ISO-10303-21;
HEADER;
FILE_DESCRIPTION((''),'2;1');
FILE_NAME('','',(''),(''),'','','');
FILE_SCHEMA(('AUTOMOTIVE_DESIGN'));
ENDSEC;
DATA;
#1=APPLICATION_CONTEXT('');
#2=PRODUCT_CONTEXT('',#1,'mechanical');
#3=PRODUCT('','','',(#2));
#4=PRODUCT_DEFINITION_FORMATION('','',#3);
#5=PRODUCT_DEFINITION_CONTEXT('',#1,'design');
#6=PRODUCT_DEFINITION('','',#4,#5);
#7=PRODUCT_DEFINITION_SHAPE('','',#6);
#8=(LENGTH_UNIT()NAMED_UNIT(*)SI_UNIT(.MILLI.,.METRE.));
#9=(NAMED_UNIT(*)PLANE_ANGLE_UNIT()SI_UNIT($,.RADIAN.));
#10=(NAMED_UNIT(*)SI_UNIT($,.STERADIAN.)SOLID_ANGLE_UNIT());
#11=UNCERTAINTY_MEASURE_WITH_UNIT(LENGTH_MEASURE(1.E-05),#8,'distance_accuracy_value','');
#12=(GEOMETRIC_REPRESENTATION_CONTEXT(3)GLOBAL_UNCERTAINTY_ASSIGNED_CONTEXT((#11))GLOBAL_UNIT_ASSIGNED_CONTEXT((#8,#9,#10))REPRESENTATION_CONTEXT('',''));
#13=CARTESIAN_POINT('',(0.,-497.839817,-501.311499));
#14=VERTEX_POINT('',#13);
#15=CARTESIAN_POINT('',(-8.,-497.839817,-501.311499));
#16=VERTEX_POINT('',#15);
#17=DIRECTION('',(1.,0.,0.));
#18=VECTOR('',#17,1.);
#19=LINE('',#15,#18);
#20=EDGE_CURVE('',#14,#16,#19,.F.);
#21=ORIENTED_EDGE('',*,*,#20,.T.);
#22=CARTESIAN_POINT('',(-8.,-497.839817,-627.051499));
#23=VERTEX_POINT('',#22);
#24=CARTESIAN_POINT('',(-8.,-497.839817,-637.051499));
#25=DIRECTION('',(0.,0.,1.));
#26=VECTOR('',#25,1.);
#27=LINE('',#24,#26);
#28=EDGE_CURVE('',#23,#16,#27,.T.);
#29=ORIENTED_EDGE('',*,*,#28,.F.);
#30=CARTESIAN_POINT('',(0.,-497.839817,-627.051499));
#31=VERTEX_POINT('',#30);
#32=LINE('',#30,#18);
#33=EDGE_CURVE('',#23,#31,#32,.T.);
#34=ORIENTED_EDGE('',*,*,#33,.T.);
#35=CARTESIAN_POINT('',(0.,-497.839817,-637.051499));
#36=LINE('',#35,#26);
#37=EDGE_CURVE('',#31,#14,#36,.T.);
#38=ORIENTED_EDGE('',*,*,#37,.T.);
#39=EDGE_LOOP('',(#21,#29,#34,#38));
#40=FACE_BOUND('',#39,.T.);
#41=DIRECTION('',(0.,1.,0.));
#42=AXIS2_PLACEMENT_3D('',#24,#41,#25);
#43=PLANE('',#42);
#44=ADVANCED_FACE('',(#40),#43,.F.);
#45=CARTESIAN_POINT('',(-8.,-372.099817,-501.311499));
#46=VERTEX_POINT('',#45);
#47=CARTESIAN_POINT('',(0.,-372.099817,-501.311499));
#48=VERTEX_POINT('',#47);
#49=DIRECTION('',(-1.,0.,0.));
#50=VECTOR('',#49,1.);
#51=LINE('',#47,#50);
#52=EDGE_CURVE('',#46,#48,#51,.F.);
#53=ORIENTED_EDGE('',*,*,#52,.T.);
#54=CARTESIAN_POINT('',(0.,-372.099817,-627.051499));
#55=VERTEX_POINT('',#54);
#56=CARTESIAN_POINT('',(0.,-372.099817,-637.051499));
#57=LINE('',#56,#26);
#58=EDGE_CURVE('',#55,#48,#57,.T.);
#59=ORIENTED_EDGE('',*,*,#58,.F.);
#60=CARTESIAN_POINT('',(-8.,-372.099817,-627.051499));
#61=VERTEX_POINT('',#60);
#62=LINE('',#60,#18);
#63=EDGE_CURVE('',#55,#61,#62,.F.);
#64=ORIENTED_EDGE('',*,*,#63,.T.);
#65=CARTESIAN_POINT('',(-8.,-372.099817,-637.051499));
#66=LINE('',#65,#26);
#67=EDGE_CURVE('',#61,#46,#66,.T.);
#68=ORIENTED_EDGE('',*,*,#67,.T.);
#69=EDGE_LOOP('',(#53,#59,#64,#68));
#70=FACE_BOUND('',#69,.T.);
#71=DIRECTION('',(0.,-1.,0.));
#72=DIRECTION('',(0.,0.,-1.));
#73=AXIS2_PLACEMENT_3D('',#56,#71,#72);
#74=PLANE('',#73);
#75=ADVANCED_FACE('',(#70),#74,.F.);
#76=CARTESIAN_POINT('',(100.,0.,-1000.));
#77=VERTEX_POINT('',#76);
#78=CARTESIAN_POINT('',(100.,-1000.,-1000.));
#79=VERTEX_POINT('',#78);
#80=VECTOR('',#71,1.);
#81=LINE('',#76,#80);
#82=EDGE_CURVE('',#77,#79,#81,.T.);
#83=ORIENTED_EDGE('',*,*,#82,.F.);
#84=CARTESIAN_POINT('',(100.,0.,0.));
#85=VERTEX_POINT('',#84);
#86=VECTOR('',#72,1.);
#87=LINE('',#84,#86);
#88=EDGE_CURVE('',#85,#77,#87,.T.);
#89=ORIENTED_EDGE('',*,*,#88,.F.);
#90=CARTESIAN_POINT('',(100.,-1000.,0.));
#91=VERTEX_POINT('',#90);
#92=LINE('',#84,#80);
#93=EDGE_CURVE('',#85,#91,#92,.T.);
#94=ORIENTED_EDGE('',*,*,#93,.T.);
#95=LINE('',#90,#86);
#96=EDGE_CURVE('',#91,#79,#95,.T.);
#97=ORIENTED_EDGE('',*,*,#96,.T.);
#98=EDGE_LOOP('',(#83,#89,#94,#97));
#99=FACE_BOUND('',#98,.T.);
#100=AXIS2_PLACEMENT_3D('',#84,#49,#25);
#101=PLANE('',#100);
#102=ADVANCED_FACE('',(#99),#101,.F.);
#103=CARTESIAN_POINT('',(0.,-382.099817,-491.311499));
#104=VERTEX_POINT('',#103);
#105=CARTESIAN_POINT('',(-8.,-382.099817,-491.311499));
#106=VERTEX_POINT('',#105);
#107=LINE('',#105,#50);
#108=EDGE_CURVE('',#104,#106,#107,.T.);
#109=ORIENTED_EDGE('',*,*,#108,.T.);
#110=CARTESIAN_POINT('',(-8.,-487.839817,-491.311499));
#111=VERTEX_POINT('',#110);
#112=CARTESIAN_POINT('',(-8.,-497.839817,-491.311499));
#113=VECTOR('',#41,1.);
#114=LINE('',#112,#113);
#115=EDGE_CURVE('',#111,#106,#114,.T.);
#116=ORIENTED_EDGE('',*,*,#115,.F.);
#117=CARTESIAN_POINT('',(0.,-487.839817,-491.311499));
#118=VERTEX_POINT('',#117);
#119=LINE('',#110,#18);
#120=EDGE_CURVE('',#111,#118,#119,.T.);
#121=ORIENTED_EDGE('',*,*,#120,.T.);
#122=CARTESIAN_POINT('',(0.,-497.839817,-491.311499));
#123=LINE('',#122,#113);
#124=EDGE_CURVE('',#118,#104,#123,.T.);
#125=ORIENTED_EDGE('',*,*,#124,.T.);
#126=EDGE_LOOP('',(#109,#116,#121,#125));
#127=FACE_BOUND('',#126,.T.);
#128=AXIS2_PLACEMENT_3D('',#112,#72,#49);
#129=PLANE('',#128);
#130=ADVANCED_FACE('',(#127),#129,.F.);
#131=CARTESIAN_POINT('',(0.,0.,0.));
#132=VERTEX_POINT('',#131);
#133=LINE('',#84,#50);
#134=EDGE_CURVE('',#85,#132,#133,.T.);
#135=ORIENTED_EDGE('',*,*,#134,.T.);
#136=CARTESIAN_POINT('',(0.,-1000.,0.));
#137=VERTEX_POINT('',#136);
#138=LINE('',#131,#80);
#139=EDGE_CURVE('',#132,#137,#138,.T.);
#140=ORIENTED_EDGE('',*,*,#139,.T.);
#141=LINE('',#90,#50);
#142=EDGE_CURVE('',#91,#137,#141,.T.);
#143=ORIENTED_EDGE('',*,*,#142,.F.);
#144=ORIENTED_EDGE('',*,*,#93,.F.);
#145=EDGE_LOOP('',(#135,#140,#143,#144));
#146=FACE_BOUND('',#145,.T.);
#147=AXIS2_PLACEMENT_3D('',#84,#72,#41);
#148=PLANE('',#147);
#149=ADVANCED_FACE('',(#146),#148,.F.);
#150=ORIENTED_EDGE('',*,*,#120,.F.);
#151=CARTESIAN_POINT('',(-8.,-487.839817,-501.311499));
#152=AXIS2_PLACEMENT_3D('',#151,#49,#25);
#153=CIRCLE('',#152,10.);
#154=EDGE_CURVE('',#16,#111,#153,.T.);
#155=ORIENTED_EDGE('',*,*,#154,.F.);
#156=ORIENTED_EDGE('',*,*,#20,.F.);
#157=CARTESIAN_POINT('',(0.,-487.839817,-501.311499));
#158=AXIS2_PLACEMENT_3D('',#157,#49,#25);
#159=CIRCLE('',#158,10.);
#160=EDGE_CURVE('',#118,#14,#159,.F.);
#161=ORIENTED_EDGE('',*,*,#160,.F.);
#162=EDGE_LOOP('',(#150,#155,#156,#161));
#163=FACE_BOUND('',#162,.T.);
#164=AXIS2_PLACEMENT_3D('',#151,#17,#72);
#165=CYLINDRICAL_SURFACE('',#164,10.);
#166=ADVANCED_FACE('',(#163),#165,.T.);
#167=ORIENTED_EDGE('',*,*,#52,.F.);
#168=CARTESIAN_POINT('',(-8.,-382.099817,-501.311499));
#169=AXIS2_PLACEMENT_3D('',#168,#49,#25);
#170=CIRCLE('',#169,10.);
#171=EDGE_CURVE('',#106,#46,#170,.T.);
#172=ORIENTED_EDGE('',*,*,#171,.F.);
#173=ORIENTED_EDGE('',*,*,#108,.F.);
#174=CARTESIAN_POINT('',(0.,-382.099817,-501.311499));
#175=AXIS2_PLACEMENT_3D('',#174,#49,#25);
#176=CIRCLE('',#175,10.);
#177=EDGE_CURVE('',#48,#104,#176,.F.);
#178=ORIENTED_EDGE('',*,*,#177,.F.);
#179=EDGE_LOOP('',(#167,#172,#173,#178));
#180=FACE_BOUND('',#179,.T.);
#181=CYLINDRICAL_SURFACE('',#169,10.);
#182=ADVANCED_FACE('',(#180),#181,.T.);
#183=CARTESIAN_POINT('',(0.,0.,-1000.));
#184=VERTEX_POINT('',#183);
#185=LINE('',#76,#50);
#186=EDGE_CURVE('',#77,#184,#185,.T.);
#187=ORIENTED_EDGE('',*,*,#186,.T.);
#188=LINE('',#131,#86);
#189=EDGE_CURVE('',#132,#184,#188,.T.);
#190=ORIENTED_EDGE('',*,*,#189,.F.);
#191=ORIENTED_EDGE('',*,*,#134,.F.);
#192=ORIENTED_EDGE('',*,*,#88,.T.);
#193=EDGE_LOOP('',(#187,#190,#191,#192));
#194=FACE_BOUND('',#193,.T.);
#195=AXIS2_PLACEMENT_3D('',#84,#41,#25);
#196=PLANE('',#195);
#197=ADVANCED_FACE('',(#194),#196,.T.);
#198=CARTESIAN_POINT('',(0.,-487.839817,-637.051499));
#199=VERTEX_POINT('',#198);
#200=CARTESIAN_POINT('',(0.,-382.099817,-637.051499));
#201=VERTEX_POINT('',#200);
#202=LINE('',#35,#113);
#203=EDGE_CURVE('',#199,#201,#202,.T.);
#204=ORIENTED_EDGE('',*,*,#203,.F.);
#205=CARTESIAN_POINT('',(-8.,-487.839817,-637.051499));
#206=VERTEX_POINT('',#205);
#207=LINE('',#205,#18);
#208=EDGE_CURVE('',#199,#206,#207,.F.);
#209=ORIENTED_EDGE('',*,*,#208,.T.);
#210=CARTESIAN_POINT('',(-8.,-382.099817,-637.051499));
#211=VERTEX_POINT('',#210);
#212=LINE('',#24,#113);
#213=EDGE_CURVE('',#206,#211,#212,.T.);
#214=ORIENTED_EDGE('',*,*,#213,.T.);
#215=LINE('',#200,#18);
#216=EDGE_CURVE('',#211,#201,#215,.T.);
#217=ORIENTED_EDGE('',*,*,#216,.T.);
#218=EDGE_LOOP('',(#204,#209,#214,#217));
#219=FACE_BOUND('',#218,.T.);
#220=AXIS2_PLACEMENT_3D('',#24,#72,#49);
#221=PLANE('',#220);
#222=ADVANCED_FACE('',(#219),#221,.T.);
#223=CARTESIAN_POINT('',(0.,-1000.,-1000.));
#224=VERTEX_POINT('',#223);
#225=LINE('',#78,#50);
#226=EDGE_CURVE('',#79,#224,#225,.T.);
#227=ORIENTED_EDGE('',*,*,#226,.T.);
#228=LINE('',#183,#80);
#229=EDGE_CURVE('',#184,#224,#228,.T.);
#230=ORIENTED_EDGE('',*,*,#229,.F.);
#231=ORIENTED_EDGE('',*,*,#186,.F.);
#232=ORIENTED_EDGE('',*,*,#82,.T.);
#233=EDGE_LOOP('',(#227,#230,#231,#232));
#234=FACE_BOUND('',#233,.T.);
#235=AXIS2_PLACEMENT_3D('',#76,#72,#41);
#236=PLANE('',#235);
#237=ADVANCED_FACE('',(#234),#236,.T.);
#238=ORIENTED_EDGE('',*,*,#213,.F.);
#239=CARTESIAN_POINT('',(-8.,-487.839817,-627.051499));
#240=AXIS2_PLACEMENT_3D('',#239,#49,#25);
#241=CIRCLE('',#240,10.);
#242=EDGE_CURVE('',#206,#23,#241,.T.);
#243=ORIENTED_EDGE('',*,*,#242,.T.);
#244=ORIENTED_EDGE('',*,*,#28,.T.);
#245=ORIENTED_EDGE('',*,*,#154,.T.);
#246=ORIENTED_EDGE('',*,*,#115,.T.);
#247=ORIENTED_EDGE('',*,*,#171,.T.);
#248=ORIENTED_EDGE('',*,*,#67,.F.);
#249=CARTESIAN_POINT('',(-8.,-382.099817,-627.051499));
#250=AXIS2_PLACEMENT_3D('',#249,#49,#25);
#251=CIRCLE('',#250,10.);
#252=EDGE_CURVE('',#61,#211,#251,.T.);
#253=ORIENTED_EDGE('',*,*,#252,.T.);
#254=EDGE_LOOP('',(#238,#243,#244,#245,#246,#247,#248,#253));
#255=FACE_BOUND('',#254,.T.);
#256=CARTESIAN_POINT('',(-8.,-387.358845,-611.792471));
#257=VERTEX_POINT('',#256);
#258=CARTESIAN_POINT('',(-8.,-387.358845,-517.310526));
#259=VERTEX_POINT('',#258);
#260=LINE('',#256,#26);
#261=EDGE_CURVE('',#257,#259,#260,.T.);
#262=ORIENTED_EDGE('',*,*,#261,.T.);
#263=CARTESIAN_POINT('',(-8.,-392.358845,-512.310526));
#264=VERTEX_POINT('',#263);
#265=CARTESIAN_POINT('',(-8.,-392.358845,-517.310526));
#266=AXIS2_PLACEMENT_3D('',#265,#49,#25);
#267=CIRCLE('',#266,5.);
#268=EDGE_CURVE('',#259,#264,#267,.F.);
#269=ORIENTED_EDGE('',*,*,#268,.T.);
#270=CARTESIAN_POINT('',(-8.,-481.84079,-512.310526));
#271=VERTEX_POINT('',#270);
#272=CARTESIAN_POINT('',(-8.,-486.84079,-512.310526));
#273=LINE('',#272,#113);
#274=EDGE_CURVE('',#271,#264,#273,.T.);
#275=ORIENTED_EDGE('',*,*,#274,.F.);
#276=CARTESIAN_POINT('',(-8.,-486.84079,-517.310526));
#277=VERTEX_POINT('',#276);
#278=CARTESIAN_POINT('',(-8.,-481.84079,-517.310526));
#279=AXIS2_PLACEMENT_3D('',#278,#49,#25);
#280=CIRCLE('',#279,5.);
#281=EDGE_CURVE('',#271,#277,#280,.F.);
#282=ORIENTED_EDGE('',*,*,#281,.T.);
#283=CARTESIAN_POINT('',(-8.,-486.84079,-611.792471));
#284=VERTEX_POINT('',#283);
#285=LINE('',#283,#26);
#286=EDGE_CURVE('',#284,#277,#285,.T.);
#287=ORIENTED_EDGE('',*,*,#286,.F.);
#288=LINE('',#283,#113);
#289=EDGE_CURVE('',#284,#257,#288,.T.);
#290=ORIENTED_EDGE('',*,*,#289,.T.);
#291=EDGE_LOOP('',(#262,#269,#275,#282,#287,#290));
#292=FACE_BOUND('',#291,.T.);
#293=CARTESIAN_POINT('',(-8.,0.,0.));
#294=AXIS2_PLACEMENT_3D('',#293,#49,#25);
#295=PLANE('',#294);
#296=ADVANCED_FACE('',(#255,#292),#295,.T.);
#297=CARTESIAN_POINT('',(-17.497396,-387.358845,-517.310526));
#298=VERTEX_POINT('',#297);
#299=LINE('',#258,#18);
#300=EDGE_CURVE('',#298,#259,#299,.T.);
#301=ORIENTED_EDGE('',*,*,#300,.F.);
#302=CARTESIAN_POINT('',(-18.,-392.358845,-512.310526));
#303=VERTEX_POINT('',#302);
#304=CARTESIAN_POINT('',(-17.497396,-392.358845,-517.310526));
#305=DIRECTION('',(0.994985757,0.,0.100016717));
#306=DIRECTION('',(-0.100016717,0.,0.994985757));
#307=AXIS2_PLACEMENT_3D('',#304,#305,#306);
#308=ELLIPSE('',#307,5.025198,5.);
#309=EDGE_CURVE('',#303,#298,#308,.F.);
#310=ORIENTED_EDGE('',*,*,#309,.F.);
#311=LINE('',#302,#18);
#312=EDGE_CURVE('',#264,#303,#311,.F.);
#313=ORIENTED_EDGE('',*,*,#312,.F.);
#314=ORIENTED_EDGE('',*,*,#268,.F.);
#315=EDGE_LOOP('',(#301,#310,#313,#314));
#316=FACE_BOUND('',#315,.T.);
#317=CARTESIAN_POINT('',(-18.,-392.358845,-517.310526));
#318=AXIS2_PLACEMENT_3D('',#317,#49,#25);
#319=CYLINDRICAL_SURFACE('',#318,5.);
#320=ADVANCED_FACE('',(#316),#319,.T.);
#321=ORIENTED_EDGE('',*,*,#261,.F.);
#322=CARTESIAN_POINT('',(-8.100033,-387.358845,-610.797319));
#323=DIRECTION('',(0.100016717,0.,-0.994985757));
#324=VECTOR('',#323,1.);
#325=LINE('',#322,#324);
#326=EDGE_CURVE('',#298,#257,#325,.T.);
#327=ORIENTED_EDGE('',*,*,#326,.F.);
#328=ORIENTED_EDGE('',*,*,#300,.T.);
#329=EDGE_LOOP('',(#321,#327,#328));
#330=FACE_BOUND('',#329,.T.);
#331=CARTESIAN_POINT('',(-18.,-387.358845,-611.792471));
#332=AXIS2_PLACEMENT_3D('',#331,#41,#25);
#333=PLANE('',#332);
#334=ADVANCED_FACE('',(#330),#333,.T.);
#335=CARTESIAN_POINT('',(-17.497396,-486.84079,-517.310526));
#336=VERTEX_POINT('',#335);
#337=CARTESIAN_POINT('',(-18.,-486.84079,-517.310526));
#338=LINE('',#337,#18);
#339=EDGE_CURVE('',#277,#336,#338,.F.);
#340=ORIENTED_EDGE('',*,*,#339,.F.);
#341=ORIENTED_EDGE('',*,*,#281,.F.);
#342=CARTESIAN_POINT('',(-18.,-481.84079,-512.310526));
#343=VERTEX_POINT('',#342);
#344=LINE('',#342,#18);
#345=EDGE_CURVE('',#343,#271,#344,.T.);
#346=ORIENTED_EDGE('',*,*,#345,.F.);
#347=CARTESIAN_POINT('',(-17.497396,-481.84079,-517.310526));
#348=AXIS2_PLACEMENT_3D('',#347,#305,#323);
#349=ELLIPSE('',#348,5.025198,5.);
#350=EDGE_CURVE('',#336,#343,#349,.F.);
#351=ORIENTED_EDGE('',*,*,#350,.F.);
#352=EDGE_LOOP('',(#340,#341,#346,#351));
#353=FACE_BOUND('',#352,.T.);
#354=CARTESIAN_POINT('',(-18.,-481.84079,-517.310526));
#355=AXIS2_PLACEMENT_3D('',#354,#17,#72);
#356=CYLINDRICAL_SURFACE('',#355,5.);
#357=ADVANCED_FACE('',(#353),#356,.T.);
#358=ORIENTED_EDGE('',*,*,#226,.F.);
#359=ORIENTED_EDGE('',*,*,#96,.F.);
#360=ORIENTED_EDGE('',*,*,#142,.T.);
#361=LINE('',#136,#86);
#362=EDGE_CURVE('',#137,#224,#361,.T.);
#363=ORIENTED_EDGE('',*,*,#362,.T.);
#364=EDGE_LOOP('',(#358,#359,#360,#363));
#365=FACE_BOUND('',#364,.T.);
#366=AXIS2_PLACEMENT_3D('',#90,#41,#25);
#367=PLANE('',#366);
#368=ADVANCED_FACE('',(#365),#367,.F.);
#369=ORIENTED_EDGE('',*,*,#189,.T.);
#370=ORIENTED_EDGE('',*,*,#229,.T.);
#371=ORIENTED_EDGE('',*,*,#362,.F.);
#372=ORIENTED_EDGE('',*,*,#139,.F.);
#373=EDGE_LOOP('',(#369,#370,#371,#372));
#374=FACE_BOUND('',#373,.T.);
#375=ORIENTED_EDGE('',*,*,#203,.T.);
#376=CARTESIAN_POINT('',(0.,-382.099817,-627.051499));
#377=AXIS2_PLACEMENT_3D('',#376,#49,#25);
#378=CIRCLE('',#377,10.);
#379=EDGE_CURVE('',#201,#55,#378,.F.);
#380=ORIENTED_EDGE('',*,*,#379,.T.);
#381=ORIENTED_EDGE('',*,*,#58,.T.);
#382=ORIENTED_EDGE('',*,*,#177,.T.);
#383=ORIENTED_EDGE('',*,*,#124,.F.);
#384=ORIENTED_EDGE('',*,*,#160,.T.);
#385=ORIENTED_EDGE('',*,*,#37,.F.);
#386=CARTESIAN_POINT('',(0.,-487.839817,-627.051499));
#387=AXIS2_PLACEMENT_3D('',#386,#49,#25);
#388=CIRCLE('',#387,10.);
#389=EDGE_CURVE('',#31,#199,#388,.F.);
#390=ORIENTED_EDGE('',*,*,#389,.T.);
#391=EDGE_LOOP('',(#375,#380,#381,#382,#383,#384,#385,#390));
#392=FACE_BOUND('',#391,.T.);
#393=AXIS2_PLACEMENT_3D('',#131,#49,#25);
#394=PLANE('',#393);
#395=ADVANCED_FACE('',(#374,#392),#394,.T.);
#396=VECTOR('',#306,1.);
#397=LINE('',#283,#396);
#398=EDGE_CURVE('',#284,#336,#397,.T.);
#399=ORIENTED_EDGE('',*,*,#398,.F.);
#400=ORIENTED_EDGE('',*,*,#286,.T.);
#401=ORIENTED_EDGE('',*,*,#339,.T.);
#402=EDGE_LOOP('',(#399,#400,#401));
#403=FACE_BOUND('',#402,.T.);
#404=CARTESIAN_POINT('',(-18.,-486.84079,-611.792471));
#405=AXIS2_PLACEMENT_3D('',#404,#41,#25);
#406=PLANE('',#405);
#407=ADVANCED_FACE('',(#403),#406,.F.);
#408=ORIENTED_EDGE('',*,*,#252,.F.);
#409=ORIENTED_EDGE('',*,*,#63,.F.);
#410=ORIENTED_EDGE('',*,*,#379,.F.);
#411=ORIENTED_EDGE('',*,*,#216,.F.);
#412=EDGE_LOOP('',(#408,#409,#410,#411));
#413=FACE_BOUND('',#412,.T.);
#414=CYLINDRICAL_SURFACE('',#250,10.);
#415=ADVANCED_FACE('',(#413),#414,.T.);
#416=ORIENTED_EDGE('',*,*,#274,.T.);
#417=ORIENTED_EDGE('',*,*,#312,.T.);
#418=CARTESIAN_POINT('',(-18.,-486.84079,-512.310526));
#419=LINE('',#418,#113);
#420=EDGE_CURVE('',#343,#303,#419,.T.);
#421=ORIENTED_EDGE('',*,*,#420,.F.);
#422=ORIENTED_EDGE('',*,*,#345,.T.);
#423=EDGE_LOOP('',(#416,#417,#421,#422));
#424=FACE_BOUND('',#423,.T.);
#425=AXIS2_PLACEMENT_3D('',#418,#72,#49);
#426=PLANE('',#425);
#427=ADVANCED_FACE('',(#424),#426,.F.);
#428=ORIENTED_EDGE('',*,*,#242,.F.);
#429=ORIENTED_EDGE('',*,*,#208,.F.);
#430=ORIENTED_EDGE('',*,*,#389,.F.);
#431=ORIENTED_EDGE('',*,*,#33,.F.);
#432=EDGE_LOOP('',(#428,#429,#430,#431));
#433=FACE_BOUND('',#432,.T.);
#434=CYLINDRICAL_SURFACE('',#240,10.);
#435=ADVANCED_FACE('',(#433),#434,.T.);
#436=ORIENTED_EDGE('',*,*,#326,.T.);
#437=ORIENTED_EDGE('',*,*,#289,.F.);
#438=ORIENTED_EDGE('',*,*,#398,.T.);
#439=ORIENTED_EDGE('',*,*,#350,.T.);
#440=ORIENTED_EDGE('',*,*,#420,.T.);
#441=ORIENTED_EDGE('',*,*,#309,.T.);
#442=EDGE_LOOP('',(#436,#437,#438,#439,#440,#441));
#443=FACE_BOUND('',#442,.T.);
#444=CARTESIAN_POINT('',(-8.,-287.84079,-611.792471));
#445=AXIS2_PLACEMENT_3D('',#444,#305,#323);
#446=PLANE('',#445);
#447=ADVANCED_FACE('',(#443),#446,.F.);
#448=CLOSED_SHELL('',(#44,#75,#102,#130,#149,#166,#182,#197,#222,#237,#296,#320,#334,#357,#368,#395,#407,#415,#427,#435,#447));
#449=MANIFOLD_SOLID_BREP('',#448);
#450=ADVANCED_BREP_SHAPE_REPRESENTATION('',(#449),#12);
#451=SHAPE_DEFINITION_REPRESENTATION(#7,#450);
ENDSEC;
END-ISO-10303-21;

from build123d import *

# Parameters (mm, degrees)
SKETCH2_W           = 1000
SKETCH2_H           = 1000
BOSS_EXTRUDE2_DEPTH = 100
SKETCH4_W           = 145.74
SKETCH4_H           = 135.74
BOSS_EXTRUDE4_DEPTH = 8
FILLET1_R           = 10
SKETCH11_W          = 99.481944883
SKETCH11_H          = 99.481944883
BOSS_EXTRUDE6_DEPTH = 10
CUT_EXTRUDE2_DEPTH  = 199
FILLET5_R           = 5
SKETCH13_W          = 145.74
SKETCH13_H          = 10.277158346
CUT_EXTRUDE3_DEPTH  = 8
FILLET6_R           = 10


with BuildPart() as part:
    # Sketch2 → Boss-Extrude2 (new body)
    with BuildSketch(Plane(origin=(0, 0, 0), x_dir=(0, 0, -1), z_dir=(1, 0, 0))):
        with Locations((500, -500)):
            Rectangle(SKETCH2_W, SKETCH2_H)
    extrude(amount=BOSS_EXTRUDE2_DEPTH)

    # Sketch4 → Boss-Extrude4 (add)
    with BuildSketch(Plane.ZY):
        with Locations((-564.181498588, -429.969817094)):
            Rectangle(SKETCH4_W, SKETCH4_H)
    extrude(amount=BOSS_EXTRUDE4_DEPTH)

    # Fillet1
    fillet1_edges = [part.edges().sort_by_distance(p)[0] for p in [
        (-4, -362.099817094, -491.311498588),
        (-4, -362.099817094, -637.051498588),
        (-4, -497.839817094, -637.051498588),
        (-4, -497.839817094, -491.311498588),
    ]]
    fillet(fillet1_edges, radius=FILLET1_R)

    # Sketch11 → Boss-Extrude6 (add)
    with BuildSketch(Plane.ZY.offset(8)):
        with Locations((-562.051498588, -437.099817095)):
            Rectangle(SKETCH11_W, SKETCH11_H)
    extrude(amount=BOSS_EXTRUDE6_DEPTH)

    # Sketch12 → Cut-Extrude2 (cut)
    with BuildSketch(Plane(origin=(0, -486.840789536, 0), x_dir=(-1, 0, 0), z_dir=(0, -1, 0))):
        Polygon((8, 611.79247103), (18, 512.310526147), (18, 611.79247103), align=None)
    extrude(amount=-CUT_EXTRUDE2_DEPTH, mode=Mode.SUBTRACT)

    # Fillet5
    fillet5_edges = [part.edges().sort_by_distance(p)[0] for p in [
        (-13, -387.358844653, -512.310526147),
        (-13, -486.840789536, -512.310526147),
    ]]
    fillet(fillet5_edges, radius=FILLET5_R)

    # Sketch13 → Cut-Extrude3 (cut)
    with BuildSketch(Plane.ZY.offset(8)):
        with Locations((-564.181498588, -366.961237921)):
            Rectangle(SKETCH13_W, SKETCH13_H)
    extrude(amount=-CUT_EXTRUDE3_DEPTH, mode=Mode.SUBTRACT)

    # Fillet6
    fillet6_edges = [part.edges().sort_by_distance(p)[0] for p in [
        (-4, -372.099817094, -491.311498588),
        (-4, -372.099817094, -637.051498588),
    ]]
    fillet(fillet6_edges, radius=FILLET6_R)


solid = part.part
